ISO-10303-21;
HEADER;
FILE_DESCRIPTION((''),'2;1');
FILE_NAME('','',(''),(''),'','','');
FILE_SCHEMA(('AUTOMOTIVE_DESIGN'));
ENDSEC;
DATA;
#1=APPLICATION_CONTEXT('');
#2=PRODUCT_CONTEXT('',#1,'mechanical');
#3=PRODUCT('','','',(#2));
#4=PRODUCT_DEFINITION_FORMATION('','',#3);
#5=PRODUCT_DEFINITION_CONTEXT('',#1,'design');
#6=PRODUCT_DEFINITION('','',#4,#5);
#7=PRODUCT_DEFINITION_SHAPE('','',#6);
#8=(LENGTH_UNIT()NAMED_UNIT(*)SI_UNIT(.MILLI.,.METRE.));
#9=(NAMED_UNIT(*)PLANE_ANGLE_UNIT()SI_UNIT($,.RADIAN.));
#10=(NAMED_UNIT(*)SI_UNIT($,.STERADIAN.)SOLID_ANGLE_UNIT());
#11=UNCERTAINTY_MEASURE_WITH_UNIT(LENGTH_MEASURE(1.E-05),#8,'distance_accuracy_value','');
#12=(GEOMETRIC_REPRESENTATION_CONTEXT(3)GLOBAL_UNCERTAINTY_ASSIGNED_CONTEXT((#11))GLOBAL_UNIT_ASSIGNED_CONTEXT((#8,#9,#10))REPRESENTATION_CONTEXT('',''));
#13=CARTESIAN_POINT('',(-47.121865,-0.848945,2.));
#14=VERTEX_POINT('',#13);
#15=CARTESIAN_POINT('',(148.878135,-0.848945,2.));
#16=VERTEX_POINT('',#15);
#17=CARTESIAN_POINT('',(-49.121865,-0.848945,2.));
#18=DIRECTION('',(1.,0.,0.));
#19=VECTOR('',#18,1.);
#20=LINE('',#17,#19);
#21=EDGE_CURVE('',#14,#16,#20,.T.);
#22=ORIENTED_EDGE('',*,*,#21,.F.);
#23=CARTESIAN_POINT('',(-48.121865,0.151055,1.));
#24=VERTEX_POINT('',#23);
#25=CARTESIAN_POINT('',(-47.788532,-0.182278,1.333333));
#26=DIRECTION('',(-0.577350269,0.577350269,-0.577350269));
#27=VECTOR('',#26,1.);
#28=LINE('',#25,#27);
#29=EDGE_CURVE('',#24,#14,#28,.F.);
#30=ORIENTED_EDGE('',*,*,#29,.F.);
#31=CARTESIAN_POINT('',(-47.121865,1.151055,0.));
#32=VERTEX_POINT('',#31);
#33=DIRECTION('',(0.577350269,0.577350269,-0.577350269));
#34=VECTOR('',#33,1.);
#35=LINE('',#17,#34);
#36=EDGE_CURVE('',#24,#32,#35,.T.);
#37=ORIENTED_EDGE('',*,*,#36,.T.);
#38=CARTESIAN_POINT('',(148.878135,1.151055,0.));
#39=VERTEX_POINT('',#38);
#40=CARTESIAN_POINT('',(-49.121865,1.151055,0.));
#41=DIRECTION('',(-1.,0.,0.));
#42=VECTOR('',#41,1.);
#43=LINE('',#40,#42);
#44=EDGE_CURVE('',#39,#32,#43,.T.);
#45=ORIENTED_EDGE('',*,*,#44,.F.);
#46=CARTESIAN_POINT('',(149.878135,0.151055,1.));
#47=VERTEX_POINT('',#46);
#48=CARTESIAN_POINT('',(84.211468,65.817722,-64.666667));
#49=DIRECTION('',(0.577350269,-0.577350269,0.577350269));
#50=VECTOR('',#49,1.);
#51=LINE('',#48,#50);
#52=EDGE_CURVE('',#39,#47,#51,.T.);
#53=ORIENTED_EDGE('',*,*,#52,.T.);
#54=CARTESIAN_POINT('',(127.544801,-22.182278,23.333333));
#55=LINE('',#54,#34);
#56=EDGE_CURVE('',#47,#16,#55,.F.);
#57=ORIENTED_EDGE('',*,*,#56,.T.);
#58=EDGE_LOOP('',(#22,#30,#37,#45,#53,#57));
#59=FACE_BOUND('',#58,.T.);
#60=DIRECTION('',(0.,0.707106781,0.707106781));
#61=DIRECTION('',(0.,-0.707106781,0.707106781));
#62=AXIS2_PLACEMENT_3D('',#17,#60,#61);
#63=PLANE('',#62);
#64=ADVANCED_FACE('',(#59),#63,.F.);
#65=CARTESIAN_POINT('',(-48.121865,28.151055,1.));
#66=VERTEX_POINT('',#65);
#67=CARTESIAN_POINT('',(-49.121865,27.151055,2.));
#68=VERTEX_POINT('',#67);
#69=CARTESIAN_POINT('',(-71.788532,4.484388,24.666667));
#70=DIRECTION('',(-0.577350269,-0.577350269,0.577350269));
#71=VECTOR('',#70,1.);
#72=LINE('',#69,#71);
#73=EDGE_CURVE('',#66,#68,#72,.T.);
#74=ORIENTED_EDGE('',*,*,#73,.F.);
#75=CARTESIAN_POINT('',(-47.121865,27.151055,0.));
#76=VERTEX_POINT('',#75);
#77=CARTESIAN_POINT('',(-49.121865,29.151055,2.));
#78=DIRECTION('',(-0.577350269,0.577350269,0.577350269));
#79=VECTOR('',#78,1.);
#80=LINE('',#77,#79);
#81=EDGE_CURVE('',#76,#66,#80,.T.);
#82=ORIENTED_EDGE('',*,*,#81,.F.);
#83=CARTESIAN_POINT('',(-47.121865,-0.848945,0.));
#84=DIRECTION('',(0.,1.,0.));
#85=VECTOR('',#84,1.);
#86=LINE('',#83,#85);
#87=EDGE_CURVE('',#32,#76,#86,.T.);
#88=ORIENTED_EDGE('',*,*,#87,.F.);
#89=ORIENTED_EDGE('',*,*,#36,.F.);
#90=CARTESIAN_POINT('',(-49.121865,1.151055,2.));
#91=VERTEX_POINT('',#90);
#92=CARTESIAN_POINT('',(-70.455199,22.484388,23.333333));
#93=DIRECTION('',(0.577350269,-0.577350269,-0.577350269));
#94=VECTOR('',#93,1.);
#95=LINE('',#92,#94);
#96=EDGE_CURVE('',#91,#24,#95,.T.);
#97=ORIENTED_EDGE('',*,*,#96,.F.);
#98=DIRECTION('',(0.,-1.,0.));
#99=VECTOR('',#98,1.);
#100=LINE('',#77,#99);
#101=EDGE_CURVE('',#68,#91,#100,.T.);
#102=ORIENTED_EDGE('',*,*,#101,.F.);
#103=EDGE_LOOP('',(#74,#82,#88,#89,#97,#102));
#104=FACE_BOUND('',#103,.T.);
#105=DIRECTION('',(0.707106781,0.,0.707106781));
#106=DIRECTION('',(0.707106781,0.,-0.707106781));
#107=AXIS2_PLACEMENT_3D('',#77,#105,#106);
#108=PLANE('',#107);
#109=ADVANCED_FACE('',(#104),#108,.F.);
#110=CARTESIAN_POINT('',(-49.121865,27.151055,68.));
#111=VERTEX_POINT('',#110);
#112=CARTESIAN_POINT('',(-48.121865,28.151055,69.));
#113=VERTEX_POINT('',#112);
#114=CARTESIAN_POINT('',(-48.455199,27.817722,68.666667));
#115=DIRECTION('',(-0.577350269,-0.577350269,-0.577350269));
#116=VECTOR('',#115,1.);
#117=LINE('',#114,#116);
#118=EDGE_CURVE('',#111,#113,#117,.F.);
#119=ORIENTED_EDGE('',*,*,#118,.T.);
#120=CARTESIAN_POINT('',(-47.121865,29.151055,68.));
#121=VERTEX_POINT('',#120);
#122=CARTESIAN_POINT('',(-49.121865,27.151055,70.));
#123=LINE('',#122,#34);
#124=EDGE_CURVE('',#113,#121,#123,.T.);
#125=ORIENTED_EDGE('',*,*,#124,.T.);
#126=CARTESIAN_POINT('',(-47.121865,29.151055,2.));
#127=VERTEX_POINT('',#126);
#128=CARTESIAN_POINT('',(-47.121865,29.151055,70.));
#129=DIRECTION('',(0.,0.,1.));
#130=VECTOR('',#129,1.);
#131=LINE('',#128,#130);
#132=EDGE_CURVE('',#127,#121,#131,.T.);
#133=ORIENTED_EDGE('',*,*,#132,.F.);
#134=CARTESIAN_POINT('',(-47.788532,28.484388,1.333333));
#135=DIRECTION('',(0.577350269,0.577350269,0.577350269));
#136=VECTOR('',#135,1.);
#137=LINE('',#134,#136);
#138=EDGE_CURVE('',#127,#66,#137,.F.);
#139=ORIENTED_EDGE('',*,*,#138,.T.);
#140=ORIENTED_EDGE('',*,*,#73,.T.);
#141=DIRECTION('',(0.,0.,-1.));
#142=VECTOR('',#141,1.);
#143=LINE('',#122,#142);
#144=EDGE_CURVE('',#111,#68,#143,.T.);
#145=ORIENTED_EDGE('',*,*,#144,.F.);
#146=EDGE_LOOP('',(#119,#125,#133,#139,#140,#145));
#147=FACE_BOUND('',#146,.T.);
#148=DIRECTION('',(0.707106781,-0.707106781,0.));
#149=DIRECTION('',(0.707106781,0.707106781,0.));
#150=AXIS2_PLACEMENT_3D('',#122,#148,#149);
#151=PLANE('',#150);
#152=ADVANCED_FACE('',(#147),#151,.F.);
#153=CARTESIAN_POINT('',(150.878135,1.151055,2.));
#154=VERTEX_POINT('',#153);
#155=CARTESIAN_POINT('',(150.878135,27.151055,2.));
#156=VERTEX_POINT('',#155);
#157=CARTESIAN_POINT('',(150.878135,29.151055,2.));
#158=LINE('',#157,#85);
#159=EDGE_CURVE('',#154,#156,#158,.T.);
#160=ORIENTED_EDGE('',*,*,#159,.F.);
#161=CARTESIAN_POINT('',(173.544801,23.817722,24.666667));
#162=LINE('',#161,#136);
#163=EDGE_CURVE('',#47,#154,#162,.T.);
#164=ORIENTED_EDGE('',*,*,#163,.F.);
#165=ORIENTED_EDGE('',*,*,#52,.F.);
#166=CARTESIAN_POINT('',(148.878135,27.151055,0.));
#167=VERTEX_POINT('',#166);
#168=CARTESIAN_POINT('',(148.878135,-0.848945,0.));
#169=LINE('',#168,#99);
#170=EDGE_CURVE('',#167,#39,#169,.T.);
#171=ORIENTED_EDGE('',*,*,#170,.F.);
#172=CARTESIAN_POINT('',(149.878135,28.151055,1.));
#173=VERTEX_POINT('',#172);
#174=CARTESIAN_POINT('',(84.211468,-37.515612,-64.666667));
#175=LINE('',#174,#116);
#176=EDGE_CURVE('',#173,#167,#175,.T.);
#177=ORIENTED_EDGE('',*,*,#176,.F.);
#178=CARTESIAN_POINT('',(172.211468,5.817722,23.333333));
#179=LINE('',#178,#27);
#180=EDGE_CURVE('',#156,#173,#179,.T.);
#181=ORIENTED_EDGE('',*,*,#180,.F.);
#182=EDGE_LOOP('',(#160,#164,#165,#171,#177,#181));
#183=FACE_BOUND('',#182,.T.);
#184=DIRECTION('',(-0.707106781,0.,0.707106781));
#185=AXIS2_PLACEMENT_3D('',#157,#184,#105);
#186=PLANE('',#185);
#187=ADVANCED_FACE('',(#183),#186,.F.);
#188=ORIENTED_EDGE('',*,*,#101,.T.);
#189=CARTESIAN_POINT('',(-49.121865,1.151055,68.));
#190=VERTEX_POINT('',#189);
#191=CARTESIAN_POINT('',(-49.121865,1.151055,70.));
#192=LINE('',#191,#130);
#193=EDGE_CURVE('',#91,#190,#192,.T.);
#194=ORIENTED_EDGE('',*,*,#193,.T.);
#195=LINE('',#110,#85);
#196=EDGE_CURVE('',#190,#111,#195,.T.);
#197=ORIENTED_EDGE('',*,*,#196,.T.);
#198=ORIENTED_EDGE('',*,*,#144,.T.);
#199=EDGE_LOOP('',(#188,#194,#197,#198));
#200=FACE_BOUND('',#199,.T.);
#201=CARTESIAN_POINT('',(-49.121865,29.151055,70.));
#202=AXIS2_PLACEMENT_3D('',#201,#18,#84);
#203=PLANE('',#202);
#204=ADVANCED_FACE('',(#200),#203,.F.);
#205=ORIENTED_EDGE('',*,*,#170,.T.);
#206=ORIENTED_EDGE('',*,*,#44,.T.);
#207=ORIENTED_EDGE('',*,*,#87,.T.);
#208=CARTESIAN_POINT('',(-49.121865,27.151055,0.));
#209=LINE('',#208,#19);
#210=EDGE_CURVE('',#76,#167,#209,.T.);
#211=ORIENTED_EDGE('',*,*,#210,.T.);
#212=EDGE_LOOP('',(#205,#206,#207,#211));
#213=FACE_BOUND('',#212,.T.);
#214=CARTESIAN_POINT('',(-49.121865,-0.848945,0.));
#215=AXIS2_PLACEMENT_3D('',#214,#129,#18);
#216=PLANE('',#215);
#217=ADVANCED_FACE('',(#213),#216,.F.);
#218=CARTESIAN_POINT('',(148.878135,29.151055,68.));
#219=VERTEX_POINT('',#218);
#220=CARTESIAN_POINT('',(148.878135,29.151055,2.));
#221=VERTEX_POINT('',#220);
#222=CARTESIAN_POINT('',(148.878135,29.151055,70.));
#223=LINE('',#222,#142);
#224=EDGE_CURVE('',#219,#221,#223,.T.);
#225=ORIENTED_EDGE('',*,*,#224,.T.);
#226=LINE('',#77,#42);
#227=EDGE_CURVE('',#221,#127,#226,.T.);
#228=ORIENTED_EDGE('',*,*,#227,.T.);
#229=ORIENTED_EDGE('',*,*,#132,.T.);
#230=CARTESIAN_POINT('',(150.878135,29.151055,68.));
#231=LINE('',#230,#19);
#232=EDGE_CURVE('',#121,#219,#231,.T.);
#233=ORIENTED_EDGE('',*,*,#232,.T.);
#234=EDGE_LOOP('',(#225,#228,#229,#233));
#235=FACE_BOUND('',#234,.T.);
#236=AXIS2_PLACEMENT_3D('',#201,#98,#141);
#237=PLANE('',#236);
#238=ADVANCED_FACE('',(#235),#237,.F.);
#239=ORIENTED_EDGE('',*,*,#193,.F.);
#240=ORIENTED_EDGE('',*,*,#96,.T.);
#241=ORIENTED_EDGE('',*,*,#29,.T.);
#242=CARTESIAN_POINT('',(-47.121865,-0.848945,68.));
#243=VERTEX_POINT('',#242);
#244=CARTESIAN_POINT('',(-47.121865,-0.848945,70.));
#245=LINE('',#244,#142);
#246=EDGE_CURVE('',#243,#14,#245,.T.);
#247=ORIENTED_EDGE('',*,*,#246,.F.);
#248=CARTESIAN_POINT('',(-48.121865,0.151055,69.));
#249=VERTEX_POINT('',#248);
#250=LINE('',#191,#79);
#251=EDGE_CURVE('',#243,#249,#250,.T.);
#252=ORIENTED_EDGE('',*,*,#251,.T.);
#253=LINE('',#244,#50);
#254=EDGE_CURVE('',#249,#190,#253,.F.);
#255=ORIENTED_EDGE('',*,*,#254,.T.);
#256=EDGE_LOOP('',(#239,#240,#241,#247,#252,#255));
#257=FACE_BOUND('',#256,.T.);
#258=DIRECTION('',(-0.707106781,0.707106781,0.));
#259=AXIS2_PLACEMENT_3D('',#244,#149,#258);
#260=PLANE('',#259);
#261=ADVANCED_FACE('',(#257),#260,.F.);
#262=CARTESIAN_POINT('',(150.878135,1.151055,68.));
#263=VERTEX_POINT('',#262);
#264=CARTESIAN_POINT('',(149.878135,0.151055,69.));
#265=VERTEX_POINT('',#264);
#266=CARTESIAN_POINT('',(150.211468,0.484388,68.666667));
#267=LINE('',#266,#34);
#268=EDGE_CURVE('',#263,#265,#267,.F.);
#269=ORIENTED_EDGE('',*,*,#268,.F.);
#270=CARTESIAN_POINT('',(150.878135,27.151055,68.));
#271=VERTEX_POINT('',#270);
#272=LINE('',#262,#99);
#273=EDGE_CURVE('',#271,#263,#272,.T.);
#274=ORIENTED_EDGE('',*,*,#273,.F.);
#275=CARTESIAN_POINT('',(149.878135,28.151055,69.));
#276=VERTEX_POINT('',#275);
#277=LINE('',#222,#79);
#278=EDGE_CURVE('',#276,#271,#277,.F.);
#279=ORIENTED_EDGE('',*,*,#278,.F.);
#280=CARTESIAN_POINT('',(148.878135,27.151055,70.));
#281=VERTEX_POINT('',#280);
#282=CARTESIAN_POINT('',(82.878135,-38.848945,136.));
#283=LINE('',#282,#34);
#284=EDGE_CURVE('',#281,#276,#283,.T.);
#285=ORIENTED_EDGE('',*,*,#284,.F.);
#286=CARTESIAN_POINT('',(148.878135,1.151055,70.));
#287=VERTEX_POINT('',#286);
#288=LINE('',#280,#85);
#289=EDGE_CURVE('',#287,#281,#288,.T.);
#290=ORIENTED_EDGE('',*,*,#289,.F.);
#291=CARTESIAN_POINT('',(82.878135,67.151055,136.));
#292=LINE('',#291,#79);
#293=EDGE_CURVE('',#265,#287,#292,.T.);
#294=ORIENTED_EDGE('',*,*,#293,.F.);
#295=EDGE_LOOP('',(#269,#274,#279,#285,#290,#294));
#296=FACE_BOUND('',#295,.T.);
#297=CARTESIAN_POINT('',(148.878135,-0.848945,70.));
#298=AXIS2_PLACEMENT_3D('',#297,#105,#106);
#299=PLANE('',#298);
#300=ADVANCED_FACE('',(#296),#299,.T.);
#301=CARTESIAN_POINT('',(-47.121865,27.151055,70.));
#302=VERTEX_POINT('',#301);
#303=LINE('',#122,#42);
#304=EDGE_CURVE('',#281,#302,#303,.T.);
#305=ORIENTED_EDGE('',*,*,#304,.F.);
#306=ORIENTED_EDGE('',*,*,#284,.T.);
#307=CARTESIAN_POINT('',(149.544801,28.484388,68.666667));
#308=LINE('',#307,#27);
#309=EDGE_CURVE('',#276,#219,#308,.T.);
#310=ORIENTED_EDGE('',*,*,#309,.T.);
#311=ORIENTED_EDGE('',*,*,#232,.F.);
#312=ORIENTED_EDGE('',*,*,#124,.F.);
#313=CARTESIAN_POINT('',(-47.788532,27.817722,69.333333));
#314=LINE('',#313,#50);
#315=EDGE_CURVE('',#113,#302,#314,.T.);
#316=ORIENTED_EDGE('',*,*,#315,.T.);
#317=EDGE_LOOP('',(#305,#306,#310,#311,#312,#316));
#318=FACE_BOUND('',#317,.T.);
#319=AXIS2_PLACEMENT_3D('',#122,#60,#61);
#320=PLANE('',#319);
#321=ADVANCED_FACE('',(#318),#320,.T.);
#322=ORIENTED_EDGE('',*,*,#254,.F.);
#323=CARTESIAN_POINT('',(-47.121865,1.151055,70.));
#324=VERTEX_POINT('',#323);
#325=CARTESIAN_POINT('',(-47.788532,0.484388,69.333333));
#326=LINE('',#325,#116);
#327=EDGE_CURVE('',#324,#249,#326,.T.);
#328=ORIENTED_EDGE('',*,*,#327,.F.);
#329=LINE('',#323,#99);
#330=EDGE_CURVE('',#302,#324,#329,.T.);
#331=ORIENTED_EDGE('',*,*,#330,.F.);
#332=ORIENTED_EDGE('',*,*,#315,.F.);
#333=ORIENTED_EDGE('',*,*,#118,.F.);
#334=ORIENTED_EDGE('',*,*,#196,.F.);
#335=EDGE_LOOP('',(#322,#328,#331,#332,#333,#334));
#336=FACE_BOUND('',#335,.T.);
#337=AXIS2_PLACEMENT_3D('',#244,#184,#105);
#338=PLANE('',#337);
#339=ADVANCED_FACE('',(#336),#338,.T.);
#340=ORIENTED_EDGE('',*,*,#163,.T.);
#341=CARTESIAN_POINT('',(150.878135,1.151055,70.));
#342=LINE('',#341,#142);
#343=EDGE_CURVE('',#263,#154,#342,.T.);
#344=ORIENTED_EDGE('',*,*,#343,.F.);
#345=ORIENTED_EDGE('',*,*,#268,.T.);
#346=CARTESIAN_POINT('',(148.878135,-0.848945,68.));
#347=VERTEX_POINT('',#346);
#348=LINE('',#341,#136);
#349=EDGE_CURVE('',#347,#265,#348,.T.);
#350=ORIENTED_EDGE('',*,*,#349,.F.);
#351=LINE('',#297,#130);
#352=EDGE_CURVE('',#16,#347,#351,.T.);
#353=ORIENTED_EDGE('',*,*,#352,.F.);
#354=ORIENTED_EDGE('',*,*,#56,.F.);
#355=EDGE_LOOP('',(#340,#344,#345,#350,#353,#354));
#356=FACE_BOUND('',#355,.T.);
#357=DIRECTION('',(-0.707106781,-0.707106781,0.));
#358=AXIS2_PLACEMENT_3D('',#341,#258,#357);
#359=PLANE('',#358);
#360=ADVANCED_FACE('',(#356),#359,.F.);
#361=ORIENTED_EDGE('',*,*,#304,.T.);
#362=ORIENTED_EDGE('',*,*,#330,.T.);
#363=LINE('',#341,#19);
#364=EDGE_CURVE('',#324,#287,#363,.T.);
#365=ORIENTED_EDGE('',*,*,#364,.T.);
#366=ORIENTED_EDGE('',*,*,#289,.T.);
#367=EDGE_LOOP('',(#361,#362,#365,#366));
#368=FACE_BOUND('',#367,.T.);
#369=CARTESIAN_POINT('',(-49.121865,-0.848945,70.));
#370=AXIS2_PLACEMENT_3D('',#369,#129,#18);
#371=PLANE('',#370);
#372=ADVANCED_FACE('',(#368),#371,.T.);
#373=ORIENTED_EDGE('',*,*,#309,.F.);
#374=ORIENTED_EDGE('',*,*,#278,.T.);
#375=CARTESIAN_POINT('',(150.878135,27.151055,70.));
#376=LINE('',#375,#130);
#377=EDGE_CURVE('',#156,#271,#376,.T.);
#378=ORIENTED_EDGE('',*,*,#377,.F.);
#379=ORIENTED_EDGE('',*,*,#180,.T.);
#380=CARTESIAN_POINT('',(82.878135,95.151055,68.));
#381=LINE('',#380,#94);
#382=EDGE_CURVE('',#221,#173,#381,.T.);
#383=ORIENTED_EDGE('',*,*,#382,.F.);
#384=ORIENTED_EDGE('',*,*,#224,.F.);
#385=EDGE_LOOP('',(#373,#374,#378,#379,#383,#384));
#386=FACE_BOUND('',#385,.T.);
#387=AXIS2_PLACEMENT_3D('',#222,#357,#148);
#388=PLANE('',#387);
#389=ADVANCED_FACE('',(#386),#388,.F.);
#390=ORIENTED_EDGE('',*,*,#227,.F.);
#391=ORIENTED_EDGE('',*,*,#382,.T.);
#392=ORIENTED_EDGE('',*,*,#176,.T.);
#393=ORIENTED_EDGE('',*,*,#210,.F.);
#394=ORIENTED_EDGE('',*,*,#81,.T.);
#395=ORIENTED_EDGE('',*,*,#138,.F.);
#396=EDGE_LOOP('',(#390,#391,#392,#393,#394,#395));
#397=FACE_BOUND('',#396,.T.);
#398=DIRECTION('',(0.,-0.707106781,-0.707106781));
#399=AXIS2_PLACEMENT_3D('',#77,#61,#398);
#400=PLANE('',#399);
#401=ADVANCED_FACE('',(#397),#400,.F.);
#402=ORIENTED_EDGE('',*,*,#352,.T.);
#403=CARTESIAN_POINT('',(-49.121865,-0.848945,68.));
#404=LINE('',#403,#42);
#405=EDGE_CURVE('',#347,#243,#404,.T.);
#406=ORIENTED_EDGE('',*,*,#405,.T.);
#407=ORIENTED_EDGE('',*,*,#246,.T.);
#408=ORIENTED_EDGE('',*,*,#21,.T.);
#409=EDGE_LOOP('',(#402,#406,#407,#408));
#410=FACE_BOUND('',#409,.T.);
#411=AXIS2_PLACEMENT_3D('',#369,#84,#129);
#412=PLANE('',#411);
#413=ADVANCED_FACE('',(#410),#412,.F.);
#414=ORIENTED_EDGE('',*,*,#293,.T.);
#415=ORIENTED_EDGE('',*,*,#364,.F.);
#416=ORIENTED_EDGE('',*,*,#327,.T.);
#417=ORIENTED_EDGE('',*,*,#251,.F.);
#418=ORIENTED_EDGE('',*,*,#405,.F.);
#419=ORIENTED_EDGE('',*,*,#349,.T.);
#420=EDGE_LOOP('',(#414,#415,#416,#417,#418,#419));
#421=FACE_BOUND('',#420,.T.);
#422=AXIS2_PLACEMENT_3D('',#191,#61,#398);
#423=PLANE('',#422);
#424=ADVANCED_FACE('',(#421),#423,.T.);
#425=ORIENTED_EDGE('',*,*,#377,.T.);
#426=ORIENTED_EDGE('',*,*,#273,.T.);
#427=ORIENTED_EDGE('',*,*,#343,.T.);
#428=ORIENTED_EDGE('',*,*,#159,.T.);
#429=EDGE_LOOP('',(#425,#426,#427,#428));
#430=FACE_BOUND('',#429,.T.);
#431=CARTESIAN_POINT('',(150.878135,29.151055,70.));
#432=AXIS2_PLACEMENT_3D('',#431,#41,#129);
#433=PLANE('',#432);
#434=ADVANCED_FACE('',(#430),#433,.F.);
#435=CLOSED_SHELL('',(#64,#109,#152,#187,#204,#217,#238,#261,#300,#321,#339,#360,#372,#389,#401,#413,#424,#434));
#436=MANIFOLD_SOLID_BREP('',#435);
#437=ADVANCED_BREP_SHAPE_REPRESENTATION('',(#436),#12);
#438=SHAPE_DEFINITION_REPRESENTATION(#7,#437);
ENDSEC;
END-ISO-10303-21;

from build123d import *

# Parameters (mm, degrees)
ESQUISSE1_W      = 200
ESQUISSE1_H      = 30
EXTRUSION1_DEPTH = 70
CHANFREIN1_SIZE  = 2
CHANFREIN2_SIZE  = 2
CHANFREIN3_SIZE  = 2


with BuildPart() as part:
    # Esquisse1 → Extrusion1 (new body)
    with BuildSketch(Plane.XY):
        with Locations((50.878134685, 14.151054852)):
            Rectangle(ESQUISSE1_W, ESQUISSE1_H)
    extrude(amount=EXTRUSION1_DEPTH)

    # Chanfrein1
    chanfrein1_edges = [part.edges().sort_by_distance(p)[0] for p in [
        (50.878134685, -0.848945148, 0),
        (50.878134685, -0.848945148, 70),
        (150.878134685, -0.848945148, 35),
        (-49.121865315, -0.848945148, 35),
    ]]
    chamfer(chanfrein1_edges, length=CHANFREIN1_SIZE)

    # Chanfrein2
    chanfrein2_edges = [part.edges().sort_by_distance(p)[0] for p in [
        (50.878134685, 29.151054852, 70),
        (50.878134685, 29.151054852, 0),
        (-49.121865315, 29.151054852, 35),
        (150.878134685, 29.151054852, 35),
    ]]
    chamfer(chanfrein2_edges, length=CHANFREIN2_SIZE)

    # Chanfrein3
    chanfrein3_edges = [part.edges().sort_by_distance(p)[0] for p in [
        (150.878134685, 14.151054852, 0),
        (150.878134685, 14.151054852, 70),
        (-49.121865315, 14.151054852, 0),
        (-49.121865315, 14.151054852, 70),
    ]]
    chamfer(chanfrein3_edges, length=CHANFREIN3_SIZE)


solid = part.part
